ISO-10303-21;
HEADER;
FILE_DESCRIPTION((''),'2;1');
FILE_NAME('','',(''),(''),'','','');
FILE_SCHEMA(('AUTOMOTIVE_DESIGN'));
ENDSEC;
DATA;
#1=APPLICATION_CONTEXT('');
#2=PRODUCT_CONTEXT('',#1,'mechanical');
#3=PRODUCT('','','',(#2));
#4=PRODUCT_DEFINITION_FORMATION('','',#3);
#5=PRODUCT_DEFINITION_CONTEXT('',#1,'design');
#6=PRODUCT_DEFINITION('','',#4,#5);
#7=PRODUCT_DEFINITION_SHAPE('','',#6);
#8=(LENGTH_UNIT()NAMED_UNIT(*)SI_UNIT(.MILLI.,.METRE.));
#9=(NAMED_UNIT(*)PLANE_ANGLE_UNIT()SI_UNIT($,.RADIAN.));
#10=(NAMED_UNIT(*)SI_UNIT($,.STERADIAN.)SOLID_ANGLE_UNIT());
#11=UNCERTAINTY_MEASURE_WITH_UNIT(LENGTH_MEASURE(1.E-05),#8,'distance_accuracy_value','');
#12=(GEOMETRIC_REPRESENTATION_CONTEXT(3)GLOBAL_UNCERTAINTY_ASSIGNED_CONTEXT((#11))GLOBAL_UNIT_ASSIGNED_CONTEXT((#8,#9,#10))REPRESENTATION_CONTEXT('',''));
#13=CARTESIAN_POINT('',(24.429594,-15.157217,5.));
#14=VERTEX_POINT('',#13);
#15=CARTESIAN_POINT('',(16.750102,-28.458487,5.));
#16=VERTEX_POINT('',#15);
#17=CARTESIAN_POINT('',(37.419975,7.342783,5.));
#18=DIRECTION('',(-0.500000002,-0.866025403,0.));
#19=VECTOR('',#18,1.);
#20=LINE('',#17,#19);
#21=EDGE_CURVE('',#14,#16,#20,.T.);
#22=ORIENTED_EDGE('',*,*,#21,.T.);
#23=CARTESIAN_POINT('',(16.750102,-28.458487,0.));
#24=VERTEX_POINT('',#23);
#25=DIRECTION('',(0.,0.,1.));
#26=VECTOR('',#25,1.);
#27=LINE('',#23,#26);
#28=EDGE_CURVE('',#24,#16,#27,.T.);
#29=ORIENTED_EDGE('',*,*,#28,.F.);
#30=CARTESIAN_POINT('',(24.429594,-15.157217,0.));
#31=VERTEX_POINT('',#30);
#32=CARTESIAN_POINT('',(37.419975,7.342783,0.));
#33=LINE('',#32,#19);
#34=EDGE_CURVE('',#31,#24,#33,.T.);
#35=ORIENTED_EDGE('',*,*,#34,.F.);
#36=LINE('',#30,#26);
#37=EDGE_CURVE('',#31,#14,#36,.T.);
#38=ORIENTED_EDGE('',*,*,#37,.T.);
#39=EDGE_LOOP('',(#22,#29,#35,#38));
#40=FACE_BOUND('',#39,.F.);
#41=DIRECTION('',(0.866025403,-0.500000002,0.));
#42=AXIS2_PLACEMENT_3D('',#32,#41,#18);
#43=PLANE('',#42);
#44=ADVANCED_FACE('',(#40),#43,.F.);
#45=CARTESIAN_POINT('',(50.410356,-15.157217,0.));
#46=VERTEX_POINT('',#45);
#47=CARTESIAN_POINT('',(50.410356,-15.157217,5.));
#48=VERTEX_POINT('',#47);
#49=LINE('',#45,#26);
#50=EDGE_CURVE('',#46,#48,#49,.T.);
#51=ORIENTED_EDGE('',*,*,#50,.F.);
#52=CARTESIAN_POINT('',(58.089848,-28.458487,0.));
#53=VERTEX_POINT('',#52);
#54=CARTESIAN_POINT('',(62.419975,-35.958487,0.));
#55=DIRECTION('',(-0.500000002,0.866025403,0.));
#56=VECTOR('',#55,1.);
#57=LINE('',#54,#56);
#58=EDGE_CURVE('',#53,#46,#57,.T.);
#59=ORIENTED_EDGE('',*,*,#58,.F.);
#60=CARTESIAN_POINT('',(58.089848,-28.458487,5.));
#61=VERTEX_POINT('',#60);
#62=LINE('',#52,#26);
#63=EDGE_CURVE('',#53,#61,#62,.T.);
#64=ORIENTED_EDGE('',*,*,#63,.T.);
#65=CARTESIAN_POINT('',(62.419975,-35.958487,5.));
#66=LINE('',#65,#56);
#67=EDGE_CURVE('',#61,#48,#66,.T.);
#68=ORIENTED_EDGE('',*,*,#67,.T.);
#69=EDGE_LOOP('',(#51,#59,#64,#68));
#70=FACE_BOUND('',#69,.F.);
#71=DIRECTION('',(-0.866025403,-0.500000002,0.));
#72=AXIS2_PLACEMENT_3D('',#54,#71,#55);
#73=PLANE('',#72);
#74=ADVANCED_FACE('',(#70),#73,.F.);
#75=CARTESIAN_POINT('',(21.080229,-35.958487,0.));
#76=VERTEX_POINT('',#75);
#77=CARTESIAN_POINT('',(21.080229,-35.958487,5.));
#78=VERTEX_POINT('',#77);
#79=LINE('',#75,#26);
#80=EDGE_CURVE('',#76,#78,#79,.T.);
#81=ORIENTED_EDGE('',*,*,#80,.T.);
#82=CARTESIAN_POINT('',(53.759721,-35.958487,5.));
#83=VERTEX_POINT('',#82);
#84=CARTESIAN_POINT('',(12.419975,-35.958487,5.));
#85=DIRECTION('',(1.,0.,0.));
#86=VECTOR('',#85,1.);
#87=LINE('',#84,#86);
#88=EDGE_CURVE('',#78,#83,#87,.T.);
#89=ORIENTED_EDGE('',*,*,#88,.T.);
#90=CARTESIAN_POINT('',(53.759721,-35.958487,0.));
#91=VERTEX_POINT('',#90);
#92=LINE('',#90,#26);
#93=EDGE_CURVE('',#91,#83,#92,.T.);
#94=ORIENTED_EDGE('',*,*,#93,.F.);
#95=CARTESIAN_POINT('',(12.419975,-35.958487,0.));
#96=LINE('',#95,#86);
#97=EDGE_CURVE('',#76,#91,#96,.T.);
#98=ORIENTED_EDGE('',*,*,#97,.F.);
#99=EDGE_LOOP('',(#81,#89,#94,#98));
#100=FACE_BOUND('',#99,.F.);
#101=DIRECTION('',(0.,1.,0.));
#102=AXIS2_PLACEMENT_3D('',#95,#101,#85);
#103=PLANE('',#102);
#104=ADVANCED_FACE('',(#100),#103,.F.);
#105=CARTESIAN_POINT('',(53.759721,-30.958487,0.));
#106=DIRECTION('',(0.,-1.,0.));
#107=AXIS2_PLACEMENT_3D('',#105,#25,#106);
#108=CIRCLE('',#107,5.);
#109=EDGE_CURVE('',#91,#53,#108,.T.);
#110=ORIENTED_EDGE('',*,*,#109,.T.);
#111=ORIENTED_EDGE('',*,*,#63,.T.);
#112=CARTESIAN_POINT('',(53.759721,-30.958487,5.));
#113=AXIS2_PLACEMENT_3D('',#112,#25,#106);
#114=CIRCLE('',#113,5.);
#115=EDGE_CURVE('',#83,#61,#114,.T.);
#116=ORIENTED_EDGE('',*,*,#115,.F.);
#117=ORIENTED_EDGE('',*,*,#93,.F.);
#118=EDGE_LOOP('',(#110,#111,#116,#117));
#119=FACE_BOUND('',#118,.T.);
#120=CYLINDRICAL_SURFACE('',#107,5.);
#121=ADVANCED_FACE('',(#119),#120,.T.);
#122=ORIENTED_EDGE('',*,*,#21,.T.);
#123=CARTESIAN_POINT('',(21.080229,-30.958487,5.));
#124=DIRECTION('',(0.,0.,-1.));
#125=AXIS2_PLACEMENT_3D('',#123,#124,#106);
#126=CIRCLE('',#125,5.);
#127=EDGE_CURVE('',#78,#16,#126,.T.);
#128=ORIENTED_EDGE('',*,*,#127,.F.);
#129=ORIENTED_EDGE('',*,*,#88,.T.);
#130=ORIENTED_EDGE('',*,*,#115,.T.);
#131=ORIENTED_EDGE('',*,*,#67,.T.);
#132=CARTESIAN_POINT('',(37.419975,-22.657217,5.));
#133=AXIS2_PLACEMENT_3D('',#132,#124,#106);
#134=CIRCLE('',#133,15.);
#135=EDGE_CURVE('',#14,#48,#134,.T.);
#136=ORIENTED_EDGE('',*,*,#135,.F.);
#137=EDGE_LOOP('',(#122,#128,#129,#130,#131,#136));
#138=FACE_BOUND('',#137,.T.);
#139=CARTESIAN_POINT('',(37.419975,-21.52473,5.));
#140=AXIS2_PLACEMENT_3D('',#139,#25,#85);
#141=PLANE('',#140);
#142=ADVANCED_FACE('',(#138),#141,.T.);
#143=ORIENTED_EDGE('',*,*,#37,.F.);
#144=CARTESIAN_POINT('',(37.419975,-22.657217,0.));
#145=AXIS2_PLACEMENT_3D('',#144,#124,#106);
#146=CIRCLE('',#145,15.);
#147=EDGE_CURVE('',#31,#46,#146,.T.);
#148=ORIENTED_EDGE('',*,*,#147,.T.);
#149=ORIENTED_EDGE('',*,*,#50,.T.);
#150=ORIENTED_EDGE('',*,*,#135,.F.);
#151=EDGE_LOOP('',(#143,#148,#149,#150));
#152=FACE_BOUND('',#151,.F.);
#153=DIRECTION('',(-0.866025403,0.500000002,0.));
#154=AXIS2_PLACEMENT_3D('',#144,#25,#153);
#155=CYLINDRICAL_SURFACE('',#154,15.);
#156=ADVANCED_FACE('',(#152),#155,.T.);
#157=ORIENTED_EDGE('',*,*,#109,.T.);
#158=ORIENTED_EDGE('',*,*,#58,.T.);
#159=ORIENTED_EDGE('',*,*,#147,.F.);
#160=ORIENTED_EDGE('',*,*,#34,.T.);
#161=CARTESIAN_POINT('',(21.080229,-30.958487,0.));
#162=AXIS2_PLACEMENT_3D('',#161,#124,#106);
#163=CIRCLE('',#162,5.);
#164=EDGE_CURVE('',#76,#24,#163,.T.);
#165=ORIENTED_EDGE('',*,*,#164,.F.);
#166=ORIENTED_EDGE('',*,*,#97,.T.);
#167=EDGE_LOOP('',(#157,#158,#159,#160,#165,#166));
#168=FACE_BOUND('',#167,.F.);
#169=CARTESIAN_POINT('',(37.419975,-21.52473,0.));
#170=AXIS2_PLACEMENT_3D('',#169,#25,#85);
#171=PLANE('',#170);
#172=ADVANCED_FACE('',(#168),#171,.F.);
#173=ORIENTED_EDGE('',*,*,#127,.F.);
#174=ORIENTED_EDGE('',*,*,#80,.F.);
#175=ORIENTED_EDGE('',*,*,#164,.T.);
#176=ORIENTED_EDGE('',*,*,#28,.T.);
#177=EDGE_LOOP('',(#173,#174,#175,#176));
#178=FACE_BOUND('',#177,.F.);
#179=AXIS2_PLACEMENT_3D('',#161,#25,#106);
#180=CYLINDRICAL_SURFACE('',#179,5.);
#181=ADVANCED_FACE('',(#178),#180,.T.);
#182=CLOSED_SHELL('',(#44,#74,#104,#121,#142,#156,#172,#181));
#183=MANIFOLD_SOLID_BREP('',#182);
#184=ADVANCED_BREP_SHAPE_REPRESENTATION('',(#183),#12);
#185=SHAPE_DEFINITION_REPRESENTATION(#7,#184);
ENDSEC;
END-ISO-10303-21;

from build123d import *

# Parameters (mm, degrees)
F1_DEPTH = 5
F2_R     = 5
F3_R     = 15


with BuildPart() as f1:
    # F0 (on Top) → F1 (new body)
    with BuildSketch(Plane.XY):
        Polygon((12.419975, -35.958487), (62.419975, -35.958487), (37.419975, 7.342783), align=None)
    extrude(amount=F1_DEPTH)

    # F2
    f2_edges = [f1.edges().sort_by_distance(p)[0] for p in [
        (62.419975, -35.958487, 2.5),
        (12.419975, -35.958487, 2.5),
    ]]
    fillet(f2_edges, radius=F2_R)

    # F3
    f3_edges = [f1.edges().sort_by_distance(p)[0] for p in [
        (37.419975, 7.342783, 2.5),
    ]]
    fillet(f3_edges, radius=F3_R)


solid = f1.part
